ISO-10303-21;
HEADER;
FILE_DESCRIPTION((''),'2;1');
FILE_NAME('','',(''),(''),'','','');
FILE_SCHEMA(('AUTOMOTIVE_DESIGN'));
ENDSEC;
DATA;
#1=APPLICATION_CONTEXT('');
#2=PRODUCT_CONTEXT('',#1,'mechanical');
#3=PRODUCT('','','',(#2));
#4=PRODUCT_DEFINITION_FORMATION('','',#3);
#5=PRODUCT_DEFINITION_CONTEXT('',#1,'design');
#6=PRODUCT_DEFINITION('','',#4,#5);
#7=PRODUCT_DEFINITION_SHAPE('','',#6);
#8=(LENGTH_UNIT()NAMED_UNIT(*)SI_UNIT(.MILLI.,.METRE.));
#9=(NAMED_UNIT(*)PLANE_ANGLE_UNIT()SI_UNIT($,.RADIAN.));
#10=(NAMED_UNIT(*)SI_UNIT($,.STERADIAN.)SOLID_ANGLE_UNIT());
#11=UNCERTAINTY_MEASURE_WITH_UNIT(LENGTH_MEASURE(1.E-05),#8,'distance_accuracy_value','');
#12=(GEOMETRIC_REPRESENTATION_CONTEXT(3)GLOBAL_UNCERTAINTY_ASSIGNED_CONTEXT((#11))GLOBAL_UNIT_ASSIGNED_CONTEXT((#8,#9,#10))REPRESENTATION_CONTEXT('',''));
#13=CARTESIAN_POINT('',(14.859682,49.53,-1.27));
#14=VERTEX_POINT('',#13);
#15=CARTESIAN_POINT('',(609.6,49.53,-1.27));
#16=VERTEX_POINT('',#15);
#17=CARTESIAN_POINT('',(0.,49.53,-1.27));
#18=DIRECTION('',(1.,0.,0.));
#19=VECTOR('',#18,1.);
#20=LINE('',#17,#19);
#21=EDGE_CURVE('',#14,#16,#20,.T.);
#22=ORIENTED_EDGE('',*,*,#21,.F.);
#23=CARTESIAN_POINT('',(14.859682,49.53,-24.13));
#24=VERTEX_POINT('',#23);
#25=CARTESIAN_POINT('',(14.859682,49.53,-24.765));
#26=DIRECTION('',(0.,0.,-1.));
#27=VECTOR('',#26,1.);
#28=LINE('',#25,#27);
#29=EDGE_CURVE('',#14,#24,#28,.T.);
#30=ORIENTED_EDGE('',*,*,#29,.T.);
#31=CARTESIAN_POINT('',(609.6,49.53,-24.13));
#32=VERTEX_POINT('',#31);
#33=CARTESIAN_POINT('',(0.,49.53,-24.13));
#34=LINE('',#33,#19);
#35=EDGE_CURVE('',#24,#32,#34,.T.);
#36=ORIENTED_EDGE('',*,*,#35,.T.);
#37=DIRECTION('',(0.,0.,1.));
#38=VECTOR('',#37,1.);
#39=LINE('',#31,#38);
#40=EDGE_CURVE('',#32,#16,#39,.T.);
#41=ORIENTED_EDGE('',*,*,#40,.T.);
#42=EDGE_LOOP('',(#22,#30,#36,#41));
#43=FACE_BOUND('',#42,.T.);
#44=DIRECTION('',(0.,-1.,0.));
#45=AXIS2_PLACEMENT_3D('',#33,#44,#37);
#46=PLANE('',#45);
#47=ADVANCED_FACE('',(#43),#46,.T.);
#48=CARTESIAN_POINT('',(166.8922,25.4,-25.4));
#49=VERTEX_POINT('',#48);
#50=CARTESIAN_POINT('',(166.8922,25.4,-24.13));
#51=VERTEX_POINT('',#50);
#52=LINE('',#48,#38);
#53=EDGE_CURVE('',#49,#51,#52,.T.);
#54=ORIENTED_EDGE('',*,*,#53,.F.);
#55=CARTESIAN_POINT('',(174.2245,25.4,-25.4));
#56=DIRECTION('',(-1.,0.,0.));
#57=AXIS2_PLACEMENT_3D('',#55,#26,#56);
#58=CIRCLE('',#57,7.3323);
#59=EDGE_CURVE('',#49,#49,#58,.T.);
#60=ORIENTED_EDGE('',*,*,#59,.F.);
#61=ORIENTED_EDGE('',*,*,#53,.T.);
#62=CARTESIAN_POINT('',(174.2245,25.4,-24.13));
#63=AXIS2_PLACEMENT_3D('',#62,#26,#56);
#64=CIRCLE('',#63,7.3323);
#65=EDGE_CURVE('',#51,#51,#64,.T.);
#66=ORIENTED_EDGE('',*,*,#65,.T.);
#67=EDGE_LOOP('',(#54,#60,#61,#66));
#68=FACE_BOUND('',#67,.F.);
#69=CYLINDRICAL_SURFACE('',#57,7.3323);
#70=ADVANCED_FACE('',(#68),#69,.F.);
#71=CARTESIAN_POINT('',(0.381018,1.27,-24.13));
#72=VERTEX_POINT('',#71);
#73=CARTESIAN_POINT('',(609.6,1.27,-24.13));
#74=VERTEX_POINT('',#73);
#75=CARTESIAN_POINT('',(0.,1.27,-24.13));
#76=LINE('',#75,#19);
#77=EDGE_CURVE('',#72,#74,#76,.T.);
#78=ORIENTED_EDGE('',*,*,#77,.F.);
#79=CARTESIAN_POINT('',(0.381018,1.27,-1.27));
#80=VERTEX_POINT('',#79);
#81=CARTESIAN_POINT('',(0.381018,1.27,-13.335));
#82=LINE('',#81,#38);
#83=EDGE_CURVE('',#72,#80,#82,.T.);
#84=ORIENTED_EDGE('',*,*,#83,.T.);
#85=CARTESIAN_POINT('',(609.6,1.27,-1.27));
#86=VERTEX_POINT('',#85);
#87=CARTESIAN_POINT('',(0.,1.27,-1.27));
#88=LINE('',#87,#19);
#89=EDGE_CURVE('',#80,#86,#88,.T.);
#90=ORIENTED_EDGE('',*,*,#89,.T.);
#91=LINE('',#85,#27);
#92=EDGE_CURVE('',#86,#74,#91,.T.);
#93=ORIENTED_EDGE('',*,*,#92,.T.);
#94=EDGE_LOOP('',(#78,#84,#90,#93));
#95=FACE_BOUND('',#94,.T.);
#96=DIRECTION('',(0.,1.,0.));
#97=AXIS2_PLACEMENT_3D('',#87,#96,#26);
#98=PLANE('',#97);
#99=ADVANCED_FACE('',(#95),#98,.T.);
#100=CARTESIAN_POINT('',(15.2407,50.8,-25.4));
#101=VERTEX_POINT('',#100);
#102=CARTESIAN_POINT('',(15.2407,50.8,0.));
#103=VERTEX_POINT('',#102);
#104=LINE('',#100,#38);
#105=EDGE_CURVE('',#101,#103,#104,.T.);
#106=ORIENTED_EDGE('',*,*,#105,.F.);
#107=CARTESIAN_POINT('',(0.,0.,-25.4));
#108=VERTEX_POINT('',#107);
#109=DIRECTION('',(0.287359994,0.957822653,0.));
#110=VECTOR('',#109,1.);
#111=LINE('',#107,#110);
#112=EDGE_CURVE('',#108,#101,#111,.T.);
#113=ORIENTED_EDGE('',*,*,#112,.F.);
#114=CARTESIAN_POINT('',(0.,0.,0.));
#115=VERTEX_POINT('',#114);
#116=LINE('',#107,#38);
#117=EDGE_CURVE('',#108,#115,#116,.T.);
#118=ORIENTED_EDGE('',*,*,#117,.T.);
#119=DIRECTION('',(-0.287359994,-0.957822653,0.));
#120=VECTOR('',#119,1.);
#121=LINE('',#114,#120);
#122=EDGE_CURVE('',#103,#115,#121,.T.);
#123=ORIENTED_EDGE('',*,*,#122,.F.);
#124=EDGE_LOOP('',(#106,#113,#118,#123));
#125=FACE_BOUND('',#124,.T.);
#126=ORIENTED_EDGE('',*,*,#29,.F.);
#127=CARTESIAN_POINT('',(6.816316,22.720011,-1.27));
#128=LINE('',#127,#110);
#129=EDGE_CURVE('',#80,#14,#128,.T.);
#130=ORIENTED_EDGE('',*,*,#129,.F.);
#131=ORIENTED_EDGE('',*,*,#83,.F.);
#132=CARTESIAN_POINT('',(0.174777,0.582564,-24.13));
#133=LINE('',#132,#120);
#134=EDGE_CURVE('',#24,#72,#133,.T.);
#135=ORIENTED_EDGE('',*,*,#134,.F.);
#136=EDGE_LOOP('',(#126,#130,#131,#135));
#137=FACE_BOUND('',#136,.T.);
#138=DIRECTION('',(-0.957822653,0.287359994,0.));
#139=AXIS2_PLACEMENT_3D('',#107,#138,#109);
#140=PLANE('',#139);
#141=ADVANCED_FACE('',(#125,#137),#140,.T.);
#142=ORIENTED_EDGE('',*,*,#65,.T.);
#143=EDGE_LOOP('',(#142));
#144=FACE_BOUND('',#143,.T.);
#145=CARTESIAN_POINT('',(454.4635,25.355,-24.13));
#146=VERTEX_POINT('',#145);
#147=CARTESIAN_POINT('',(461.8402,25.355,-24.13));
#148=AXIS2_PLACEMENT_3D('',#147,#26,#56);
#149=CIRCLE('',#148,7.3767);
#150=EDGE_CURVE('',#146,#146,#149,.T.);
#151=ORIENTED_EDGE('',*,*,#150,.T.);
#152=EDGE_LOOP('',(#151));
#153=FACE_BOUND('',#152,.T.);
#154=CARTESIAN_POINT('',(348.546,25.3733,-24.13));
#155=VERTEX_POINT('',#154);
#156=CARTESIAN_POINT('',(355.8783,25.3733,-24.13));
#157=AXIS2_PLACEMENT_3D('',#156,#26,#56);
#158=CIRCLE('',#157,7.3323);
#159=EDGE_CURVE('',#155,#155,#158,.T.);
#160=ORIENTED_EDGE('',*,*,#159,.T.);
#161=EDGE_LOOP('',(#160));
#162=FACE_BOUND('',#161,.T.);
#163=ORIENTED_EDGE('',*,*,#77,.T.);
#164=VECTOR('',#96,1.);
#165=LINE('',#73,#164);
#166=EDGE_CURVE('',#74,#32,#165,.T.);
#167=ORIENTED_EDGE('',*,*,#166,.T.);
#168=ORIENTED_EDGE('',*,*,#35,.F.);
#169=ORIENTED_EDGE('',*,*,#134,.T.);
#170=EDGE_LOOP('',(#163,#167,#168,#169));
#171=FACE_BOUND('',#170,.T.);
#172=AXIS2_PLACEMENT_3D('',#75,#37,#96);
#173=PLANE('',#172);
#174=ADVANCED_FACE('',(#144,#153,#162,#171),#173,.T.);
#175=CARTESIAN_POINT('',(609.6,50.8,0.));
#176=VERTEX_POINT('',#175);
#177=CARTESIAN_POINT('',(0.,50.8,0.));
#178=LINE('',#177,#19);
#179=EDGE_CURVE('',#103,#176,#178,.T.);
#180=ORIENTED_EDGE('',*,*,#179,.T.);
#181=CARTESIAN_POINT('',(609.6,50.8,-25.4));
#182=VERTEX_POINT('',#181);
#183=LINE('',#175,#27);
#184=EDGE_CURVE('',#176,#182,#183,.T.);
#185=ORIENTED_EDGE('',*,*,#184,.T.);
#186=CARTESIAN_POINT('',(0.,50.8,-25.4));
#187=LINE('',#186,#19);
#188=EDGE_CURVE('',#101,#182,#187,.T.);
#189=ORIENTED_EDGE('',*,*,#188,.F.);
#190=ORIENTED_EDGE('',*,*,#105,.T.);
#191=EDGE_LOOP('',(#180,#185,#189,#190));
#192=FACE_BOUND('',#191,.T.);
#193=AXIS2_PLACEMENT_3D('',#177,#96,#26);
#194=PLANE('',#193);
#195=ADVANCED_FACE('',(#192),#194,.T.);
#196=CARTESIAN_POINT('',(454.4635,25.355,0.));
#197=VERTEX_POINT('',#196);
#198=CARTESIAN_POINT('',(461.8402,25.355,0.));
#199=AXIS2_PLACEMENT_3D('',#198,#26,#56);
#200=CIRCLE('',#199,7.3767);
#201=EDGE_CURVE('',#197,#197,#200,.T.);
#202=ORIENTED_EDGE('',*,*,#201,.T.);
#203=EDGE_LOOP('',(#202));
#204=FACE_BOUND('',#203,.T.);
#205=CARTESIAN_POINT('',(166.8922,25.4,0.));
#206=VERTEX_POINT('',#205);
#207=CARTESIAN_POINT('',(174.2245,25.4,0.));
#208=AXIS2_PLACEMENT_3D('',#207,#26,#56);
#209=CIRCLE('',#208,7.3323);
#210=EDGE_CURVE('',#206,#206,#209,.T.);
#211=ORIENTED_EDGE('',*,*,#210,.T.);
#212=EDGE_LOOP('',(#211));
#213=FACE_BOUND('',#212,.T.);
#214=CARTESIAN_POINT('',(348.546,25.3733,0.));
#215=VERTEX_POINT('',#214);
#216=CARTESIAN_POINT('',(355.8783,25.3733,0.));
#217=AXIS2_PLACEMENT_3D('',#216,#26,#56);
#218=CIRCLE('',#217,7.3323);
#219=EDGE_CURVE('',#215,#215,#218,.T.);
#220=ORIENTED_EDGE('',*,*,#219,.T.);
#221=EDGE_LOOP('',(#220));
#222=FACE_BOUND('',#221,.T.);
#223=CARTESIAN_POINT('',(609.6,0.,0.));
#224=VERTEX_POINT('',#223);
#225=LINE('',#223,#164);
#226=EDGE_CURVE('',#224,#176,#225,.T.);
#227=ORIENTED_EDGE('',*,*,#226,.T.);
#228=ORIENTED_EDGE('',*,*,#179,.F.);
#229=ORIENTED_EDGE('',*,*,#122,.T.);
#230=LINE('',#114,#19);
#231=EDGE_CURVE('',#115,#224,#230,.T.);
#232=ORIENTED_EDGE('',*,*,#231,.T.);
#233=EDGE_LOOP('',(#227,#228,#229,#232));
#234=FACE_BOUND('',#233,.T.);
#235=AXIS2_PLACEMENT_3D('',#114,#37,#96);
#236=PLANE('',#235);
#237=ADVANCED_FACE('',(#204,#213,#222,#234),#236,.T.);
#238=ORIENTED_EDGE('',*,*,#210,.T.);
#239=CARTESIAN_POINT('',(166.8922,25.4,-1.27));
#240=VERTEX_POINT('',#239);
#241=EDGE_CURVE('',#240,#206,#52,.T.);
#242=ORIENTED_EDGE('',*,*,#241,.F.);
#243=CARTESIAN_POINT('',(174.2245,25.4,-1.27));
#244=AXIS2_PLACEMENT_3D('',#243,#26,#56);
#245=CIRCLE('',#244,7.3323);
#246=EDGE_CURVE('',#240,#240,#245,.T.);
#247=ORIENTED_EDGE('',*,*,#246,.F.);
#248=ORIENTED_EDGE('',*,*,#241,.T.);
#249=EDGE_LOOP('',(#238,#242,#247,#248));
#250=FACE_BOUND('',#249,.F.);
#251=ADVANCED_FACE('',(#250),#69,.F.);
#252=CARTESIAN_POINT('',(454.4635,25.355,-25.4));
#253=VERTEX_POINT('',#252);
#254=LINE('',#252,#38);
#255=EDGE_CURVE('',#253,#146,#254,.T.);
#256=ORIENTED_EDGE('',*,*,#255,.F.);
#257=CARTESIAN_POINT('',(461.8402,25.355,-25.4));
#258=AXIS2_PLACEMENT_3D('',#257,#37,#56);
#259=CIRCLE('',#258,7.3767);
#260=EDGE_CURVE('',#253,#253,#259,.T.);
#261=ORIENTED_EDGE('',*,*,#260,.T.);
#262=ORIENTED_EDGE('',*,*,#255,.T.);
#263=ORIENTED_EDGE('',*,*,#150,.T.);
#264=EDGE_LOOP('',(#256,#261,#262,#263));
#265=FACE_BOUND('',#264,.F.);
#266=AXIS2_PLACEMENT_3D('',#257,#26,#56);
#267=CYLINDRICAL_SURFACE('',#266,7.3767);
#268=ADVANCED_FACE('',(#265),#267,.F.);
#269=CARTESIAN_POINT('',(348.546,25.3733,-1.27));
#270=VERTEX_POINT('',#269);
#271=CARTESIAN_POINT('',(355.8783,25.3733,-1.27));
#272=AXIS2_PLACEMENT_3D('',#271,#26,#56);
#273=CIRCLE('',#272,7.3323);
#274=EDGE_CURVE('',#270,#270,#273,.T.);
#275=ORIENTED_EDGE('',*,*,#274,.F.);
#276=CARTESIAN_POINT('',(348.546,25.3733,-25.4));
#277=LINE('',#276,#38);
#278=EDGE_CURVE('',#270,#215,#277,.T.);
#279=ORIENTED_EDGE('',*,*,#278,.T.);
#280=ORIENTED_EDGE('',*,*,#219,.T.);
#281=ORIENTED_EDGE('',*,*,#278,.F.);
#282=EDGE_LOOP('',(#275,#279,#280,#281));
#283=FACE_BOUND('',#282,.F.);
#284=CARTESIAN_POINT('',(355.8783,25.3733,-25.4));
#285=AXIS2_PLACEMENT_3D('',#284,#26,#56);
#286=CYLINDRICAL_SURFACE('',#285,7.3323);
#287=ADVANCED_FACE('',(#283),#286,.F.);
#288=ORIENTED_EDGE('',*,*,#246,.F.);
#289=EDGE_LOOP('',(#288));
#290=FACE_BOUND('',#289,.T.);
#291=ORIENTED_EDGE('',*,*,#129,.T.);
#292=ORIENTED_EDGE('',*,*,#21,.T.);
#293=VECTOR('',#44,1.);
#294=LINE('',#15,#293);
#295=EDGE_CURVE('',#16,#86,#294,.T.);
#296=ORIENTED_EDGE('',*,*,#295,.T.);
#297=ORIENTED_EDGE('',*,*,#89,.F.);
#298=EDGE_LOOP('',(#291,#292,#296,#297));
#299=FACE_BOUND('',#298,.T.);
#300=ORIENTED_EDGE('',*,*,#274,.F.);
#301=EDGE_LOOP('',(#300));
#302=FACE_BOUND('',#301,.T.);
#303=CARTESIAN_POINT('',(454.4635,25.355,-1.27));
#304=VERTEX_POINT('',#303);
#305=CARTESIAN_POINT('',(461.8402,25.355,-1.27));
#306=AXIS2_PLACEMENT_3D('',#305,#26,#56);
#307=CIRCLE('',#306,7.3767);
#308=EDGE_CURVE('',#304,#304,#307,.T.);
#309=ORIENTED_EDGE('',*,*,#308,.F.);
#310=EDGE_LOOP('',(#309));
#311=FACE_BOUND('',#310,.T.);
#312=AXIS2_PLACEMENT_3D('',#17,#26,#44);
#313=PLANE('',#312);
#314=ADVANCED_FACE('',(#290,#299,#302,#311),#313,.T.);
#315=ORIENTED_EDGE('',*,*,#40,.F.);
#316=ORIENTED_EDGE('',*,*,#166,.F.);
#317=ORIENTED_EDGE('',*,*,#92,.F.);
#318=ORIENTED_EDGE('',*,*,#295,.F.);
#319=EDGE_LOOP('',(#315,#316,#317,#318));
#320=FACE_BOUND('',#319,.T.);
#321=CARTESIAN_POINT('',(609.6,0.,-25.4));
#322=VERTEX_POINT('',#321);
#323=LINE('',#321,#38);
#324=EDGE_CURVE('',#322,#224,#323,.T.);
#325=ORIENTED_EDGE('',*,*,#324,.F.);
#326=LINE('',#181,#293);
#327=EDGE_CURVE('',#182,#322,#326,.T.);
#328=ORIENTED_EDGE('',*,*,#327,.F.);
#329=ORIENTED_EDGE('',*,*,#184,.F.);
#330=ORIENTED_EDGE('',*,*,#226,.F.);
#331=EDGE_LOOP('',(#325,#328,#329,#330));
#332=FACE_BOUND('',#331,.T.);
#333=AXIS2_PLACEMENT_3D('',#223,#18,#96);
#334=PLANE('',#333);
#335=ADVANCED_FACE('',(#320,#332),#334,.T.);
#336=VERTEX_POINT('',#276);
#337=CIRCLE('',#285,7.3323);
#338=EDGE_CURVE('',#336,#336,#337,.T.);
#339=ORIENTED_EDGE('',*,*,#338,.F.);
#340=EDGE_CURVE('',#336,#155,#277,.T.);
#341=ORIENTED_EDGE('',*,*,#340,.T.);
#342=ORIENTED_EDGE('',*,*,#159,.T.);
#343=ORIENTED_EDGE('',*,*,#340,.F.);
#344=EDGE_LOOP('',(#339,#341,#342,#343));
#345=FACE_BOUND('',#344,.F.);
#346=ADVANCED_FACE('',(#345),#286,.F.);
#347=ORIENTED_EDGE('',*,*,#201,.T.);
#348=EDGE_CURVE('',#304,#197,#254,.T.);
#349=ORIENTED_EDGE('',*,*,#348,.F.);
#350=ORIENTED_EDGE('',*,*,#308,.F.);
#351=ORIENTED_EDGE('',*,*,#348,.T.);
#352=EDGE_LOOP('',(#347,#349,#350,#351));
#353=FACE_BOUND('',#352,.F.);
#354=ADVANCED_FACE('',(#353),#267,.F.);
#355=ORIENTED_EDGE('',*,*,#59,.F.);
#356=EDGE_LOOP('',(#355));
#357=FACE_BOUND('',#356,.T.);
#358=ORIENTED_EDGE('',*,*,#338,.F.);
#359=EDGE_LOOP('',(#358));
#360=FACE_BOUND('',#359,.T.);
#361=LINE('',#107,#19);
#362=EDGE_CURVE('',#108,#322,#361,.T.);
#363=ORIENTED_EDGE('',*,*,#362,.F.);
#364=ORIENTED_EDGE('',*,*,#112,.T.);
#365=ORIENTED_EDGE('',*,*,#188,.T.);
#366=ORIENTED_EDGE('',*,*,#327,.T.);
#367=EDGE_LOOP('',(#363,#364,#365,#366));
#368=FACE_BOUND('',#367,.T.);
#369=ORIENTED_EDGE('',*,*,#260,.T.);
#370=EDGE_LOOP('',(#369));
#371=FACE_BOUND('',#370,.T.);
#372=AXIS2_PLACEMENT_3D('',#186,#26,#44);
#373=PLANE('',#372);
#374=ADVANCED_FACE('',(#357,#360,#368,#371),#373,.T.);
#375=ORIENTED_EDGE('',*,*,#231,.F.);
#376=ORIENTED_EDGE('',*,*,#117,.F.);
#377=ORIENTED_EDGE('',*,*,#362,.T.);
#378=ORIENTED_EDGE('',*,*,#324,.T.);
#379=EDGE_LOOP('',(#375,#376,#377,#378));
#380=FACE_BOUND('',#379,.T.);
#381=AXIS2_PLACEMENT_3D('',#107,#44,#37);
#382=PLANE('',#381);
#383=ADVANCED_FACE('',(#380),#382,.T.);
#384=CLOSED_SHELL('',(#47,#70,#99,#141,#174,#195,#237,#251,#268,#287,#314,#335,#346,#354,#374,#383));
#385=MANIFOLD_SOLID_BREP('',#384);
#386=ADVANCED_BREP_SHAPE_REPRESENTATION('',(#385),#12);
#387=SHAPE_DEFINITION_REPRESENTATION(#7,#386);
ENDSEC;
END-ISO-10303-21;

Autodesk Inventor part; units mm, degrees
ref_plane "YZ Plane" through (0, 0, 0) normal (1, 0, 0) x (0, 1, 0)
ref_plane "XZ Plane" through (0, 0, 0) normal (0, 1, 0) x (-1, 0, 0)
ref_plane "XY Plane" through (0, 0, 0) normal (0, 0, 1) x (1, 0, 0)
sketch "Sketch1" plane through (0, 0, 0) normal (1, 0, 0) x (0, 1, 0)
  line L0 (0, 0) -> (50.8, 0)
  line L1 (50.8, 0) -> (50.8, -25.4)
  line L2 (50.8, -25.4) -> (0, -25.4)
  line L3 (0, -25.4) -> (0, 0)
  line L4 (49.53, -24.13) -> (49.53, -1.27)
  line L5 (49.53, -1.27) -> (1.27, -1.27)
  line L6 (1.27, -1.27) -> (1.27, -24.13)
  line L7 (1.27, -24.13) -> (49.53, -24.13)
  dimension "d0" = 50.8
  dimension "d1" = 25.4
  dimension "d2" = 1.27
extrude "Extrusion1" add sketch "Sketch1" along normal blind 609.6
sketch "Sketch2" plane through (0, 0, -25.4) normal (0, 0, -1) x (-1, 0, 0)
  circle A0 centre (-174.2245, 25.4) radius 7.3323
  circle A1 centre (-355.8783, 25.3733) radius 7.3323
  line L0 (-461.8402, 31.7005) -> (-458.3441, 31.8328) projected
  arc A2 (-458.0874, 31.6973) -> (-458.3441, 31.8328) centre (-461.6, 25.355) ccw projected
  arc A3 (-454.3512, 25.4841) -> (-454.3621, 25.7742) centre (-461.6, 25.355) ccw projected
  arc A4 (-457.8637, 19.1419) -> (-457.618, 19.2964) centre (-461.6, 25.355) ccw projected
  arc A5 (-465.3363, 31.5681) -> (-465.582, 31.4136) centre (-461.6, 25.355) ccw projected
  arc A6 (-468.8488, 25.2259) -> (-468.8379, 24.9358) centre (-461.6, 25.355) ccw projected
  arc A7 (-465.1126, 19.0127) -> (-464.8559, 18.8772) centre (-461.6, 25.355) ccw projected
  arc A8 (-457.8637, 19.1419) -> (-457.618, 19.2964) centre (-461.6, 25.355) ccw projected
  circle A9 centre (-461.8402, 25.355) radius 7.3767
  line L1 (0, 0) -> (-15.2407, 50.8)
  line L2 (0, 50.8) -> (-609.6, 50.8) projected
  line L3 (0, 0) -> (53.037, 0) construction
  line L4 (0, 0) -> (0, 50.8)
  line L5 (-15.2407, 50.8) -> (0, 50.8)
  dimension "d7" = 14.6647
  dimension "d9" = 106.7
extrude "Extrusion2" cut sketch "Sketch2" against normal through all
properties part number "Aluminum Channel Arm"
